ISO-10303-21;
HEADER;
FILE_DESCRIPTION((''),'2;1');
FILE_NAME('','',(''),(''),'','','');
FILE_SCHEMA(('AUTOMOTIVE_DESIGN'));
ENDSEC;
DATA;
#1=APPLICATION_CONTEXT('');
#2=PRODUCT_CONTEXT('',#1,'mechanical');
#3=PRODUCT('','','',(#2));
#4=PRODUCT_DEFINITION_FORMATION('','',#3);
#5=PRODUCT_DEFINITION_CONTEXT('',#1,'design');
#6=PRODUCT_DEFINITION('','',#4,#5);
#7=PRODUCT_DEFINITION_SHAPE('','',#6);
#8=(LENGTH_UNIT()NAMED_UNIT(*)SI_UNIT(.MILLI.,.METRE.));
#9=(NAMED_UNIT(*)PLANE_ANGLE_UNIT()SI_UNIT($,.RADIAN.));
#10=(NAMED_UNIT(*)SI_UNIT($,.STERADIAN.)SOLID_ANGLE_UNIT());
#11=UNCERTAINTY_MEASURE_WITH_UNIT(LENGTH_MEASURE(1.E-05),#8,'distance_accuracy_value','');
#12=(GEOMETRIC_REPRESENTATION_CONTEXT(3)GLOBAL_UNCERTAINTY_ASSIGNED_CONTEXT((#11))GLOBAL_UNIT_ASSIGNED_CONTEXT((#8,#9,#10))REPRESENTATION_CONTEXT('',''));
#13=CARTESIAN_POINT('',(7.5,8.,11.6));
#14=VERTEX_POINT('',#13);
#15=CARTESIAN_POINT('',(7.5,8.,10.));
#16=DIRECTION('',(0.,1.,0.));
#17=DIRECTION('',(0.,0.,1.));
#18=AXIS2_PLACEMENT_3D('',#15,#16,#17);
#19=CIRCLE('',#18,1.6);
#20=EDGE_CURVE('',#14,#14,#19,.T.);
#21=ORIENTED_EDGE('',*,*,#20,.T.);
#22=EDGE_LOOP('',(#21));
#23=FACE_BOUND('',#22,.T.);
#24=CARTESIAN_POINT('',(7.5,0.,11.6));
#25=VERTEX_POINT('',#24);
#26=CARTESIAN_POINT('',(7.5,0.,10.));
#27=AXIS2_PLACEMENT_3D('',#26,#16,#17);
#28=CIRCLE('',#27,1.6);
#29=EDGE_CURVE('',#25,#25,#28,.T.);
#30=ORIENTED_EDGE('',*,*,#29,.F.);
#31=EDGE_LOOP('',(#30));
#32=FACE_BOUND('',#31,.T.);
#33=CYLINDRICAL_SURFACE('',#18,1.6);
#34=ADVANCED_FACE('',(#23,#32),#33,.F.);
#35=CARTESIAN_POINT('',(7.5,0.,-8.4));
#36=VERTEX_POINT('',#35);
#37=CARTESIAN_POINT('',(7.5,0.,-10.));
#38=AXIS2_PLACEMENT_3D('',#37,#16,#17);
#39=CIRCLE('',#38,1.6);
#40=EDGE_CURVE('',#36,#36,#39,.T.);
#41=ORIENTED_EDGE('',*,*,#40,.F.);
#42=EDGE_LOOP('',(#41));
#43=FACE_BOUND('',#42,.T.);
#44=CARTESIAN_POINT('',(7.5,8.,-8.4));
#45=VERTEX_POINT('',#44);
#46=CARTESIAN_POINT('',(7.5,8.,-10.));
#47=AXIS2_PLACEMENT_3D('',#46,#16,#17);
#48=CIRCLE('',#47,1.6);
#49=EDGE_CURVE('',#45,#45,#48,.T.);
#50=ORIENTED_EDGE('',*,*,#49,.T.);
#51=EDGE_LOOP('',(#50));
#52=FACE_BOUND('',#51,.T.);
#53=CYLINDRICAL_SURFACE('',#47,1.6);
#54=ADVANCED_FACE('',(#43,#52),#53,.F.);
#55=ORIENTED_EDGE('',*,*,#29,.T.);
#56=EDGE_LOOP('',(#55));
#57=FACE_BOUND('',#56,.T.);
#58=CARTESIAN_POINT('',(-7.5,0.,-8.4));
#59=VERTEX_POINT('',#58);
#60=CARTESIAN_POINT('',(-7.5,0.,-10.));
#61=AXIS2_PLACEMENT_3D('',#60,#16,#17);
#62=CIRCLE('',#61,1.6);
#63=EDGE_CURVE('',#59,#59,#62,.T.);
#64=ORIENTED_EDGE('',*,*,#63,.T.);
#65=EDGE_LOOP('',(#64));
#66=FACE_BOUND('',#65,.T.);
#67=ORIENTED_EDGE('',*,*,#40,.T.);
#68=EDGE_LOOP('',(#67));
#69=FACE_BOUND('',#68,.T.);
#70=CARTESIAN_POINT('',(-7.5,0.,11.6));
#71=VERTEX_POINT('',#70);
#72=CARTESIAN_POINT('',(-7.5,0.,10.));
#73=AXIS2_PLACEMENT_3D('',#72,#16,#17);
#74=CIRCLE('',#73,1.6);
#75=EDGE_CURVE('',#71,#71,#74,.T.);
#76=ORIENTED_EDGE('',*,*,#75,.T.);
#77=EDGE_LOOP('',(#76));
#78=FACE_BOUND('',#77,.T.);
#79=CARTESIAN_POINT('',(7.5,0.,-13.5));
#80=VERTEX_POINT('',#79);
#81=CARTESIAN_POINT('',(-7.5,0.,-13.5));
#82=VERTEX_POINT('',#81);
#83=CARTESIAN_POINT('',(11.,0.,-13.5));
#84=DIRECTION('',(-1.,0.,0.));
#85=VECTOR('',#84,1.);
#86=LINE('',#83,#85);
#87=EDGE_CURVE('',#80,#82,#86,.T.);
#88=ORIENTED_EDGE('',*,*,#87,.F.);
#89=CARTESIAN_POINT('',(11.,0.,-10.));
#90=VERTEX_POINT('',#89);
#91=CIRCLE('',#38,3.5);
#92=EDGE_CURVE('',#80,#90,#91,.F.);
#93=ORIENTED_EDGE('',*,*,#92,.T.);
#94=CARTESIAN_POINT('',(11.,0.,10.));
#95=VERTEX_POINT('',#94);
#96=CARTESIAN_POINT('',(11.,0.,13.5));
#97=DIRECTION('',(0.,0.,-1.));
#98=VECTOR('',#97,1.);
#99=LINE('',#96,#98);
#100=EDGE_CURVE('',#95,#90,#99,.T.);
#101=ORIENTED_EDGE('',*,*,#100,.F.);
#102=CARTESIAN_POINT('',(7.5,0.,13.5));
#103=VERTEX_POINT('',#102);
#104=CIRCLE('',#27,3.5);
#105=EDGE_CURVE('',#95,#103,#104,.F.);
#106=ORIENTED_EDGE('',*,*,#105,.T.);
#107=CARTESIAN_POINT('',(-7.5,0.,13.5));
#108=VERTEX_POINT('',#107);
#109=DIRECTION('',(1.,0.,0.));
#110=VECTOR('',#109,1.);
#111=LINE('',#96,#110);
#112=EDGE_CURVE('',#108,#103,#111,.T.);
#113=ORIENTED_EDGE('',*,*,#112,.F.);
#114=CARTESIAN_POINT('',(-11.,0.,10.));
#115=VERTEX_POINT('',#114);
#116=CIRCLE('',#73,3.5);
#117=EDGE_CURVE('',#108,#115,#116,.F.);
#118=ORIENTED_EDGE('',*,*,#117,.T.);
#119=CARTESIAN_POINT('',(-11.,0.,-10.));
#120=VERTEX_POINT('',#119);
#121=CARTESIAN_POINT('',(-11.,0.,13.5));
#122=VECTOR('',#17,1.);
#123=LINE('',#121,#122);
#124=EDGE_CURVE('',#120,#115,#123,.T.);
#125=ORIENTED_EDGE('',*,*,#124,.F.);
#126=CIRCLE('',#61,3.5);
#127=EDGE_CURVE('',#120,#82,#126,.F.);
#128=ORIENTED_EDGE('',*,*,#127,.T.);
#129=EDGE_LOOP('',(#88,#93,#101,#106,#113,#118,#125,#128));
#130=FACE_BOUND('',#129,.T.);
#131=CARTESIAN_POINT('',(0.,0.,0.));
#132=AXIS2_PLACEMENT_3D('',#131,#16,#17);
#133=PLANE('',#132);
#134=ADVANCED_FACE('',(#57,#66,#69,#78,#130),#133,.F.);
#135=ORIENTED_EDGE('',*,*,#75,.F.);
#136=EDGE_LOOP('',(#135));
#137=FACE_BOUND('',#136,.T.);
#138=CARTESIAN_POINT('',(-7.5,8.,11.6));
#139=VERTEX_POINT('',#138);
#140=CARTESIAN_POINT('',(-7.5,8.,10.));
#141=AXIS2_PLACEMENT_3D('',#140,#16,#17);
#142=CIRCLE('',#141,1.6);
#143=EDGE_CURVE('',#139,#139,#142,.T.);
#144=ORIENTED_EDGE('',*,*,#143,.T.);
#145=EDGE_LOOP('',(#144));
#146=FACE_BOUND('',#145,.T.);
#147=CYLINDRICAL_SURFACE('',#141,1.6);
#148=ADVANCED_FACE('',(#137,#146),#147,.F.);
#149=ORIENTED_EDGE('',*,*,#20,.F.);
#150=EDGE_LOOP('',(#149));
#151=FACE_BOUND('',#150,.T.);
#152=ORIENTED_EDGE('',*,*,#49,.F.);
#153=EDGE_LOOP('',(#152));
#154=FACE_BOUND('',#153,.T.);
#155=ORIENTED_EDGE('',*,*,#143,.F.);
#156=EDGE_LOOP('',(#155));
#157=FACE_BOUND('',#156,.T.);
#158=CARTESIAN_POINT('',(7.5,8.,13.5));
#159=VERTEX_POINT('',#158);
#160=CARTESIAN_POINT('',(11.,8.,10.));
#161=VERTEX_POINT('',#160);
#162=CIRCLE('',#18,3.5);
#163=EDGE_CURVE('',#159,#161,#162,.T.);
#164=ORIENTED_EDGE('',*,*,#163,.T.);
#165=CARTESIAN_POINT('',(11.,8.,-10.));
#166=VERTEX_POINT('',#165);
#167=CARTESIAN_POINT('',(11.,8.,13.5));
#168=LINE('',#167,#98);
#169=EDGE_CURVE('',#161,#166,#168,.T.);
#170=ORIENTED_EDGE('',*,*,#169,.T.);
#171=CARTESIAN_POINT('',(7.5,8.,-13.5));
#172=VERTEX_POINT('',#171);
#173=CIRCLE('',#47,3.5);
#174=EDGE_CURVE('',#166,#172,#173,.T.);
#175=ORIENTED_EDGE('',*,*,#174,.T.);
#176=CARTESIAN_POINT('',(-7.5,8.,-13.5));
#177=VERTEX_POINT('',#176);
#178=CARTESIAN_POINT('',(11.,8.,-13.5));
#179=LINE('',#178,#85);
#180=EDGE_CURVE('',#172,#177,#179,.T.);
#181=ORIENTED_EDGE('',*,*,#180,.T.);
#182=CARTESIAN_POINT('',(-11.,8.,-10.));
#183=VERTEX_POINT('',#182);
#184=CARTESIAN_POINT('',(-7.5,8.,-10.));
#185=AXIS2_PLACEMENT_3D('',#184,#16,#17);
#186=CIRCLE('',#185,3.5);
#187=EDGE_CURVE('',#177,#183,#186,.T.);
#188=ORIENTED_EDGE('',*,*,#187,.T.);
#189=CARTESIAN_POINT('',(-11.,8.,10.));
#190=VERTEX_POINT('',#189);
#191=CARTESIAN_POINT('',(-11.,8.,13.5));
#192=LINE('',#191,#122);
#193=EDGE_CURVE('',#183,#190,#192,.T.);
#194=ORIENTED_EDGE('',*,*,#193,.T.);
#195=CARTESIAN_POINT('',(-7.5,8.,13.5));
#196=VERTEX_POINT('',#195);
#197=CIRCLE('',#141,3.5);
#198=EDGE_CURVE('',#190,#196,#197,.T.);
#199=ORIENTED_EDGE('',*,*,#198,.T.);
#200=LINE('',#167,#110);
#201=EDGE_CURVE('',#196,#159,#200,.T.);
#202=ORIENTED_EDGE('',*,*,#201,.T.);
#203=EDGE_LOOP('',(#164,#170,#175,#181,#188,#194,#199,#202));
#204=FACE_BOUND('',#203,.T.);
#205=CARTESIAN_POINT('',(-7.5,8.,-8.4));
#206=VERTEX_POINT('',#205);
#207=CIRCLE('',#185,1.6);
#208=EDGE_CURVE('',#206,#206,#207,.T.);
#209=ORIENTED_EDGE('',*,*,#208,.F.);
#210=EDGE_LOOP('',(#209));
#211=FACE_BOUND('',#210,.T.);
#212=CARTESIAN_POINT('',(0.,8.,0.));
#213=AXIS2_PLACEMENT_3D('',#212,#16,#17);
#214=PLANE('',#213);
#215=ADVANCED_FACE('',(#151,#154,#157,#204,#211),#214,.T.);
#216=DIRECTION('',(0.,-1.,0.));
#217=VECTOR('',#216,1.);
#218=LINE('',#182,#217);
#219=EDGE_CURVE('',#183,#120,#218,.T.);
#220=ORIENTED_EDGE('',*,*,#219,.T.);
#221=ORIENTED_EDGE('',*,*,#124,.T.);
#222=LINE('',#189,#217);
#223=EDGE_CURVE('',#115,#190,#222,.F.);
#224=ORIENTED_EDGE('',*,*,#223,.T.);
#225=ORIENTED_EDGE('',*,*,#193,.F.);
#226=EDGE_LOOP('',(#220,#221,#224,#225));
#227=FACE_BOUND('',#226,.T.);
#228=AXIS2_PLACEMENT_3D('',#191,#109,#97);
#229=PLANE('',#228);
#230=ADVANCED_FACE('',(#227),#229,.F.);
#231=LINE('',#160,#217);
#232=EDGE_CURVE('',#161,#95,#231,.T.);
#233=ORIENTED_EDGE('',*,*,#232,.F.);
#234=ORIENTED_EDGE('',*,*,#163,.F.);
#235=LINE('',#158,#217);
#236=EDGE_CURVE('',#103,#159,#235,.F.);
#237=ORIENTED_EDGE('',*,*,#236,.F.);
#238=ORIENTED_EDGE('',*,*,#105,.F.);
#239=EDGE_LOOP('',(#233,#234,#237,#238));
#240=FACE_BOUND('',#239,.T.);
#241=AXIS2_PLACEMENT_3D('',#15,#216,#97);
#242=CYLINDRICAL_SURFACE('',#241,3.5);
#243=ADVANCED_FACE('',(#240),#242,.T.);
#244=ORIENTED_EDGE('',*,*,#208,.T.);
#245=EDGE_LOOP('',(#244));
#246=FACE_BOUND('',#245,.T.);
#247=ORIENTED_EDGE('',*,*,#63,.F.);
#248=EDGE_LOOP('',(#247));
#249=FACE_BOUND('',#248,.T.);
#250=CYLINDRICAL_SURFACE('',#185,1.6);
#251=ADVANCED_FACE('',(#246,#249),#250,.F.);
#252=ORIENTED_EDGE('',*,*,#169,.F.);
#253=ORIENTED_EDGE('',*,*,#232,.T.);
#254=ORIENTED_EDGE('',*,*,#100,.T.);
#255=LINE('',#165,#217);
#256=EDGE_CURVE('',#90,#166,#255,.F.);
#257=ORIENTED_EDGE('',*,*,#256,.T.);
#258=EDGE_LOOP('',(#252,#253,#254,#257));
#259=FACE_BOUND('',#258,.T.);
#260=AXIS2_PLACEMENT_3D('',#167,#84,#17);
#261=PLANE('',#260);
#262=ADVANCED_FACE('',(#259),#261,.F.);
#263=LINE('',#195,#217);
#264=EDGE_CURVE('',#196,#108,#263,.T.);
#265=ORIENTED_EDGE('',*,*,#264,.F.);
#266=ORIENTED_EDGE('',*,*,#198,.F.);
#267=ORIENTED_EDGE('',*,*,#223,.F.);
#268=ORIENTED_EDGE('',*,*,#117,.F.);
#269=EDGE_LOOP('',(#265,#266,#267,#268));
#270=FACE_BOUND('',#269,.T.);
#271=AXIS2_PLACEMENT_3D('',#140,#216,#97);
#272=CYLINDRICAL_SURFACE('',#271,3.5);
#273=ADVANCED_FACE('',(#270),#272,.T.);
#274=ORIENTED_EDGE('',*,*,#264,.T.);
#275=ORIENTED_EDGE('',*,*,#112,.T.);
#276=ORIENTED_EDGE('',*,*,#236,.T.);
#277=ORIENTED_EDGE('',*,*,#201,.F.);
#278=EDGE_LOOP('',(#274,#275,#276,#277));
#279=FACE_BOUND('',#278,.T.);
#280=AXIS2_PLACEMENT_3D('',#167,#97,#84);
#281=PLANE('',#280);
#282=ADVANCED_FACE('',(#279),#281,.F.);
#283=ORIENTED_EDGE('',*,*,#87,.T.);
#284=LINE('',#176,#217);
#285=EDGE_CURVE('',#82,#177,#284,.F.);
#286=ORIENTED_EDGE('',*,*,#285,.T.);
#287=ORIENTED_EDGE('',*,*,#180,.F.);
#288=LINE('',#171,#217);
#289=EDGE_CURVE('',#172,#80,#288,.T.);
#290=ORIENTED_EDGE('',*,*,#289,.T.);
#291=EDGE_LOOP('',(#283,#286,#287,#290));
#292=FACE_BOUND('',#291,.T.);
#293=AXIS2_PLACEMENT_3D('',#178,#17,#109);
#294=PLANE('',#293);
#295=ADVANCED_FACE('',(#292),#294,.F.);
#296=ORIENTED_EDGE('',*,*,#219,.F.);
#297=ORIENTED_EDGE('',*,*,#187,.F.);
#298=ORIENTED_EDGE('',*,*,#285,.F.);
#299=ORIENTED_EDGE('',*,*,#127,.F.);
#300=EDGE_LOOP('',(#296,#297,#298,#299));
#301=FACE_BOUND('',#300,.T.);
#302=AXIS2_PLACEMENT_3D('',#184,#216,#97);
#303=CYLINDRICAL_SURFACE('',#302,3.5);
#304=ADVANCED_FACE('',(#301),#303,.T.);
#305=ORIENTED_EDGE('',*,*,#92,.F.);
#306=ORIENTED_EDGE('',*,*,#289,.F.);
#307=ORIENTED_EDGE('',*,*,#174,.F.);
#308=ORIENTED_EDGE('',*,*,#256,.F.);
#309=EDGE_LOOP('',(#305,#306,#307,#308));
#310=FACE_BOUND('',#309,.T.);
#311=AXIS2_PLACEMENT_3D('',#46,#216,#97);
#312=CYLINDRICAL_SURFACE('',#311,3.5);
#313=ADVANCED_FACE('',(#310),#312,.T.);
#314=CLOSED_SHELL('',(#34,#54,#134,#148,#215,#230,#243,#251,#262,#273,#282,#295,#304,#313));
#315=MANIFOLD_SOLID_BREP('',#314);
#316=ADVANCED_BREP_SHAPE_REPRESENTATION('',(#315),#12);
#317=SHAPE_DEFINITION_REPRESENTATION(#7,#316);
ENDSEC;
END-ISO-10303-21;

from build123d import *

# Parameters (mm, degrees)
SKETCH1_W            = 22
SKETCH1_H            = 27
BOSS_EXTRUDE1_DEPTH  = 8
M3_CLEARANCE_HOLE1_D = 3.2
FILLET1_R            = 3.5


with BuildPart() as part:
    # Sketch1 → Boss-Extrude1 (new body)
    with BuildSketch(Plane(origin=(0, 0, 0), x_dir=(1, 0, 0), z_dir=(0, 1, 0))):
        Rectangle(SKETCH1_W, SKETCH1_H)
    extrude(amount=BOSS_EXTRUDE1_DEPTH)

    # M3 Clearance Hole1 (through all)
    with Locations(Plane(origin=(0, 8, 0), x_dir=(1, 0, 0), z_dir=(0, 1, 0))):
        with Locations((-7.5, -10), (-7.5, 10), (7.5, 10), (7.5, -10)):
            Hole(M3_CLEARANCE_HOLE1_D / 2)

    # Fillet1
    fillet1_edges = [part.edges().sort_by_distance(p)[0] for p in [
        (-11, 4, -13.5),
        (11, 4, -13.5),
        (11, 4, 13.5),
        (-11, 4, 13.5),
    ]]
    fillet(fillet1_edges, radius=FILLET1_R)


solid = part.part
